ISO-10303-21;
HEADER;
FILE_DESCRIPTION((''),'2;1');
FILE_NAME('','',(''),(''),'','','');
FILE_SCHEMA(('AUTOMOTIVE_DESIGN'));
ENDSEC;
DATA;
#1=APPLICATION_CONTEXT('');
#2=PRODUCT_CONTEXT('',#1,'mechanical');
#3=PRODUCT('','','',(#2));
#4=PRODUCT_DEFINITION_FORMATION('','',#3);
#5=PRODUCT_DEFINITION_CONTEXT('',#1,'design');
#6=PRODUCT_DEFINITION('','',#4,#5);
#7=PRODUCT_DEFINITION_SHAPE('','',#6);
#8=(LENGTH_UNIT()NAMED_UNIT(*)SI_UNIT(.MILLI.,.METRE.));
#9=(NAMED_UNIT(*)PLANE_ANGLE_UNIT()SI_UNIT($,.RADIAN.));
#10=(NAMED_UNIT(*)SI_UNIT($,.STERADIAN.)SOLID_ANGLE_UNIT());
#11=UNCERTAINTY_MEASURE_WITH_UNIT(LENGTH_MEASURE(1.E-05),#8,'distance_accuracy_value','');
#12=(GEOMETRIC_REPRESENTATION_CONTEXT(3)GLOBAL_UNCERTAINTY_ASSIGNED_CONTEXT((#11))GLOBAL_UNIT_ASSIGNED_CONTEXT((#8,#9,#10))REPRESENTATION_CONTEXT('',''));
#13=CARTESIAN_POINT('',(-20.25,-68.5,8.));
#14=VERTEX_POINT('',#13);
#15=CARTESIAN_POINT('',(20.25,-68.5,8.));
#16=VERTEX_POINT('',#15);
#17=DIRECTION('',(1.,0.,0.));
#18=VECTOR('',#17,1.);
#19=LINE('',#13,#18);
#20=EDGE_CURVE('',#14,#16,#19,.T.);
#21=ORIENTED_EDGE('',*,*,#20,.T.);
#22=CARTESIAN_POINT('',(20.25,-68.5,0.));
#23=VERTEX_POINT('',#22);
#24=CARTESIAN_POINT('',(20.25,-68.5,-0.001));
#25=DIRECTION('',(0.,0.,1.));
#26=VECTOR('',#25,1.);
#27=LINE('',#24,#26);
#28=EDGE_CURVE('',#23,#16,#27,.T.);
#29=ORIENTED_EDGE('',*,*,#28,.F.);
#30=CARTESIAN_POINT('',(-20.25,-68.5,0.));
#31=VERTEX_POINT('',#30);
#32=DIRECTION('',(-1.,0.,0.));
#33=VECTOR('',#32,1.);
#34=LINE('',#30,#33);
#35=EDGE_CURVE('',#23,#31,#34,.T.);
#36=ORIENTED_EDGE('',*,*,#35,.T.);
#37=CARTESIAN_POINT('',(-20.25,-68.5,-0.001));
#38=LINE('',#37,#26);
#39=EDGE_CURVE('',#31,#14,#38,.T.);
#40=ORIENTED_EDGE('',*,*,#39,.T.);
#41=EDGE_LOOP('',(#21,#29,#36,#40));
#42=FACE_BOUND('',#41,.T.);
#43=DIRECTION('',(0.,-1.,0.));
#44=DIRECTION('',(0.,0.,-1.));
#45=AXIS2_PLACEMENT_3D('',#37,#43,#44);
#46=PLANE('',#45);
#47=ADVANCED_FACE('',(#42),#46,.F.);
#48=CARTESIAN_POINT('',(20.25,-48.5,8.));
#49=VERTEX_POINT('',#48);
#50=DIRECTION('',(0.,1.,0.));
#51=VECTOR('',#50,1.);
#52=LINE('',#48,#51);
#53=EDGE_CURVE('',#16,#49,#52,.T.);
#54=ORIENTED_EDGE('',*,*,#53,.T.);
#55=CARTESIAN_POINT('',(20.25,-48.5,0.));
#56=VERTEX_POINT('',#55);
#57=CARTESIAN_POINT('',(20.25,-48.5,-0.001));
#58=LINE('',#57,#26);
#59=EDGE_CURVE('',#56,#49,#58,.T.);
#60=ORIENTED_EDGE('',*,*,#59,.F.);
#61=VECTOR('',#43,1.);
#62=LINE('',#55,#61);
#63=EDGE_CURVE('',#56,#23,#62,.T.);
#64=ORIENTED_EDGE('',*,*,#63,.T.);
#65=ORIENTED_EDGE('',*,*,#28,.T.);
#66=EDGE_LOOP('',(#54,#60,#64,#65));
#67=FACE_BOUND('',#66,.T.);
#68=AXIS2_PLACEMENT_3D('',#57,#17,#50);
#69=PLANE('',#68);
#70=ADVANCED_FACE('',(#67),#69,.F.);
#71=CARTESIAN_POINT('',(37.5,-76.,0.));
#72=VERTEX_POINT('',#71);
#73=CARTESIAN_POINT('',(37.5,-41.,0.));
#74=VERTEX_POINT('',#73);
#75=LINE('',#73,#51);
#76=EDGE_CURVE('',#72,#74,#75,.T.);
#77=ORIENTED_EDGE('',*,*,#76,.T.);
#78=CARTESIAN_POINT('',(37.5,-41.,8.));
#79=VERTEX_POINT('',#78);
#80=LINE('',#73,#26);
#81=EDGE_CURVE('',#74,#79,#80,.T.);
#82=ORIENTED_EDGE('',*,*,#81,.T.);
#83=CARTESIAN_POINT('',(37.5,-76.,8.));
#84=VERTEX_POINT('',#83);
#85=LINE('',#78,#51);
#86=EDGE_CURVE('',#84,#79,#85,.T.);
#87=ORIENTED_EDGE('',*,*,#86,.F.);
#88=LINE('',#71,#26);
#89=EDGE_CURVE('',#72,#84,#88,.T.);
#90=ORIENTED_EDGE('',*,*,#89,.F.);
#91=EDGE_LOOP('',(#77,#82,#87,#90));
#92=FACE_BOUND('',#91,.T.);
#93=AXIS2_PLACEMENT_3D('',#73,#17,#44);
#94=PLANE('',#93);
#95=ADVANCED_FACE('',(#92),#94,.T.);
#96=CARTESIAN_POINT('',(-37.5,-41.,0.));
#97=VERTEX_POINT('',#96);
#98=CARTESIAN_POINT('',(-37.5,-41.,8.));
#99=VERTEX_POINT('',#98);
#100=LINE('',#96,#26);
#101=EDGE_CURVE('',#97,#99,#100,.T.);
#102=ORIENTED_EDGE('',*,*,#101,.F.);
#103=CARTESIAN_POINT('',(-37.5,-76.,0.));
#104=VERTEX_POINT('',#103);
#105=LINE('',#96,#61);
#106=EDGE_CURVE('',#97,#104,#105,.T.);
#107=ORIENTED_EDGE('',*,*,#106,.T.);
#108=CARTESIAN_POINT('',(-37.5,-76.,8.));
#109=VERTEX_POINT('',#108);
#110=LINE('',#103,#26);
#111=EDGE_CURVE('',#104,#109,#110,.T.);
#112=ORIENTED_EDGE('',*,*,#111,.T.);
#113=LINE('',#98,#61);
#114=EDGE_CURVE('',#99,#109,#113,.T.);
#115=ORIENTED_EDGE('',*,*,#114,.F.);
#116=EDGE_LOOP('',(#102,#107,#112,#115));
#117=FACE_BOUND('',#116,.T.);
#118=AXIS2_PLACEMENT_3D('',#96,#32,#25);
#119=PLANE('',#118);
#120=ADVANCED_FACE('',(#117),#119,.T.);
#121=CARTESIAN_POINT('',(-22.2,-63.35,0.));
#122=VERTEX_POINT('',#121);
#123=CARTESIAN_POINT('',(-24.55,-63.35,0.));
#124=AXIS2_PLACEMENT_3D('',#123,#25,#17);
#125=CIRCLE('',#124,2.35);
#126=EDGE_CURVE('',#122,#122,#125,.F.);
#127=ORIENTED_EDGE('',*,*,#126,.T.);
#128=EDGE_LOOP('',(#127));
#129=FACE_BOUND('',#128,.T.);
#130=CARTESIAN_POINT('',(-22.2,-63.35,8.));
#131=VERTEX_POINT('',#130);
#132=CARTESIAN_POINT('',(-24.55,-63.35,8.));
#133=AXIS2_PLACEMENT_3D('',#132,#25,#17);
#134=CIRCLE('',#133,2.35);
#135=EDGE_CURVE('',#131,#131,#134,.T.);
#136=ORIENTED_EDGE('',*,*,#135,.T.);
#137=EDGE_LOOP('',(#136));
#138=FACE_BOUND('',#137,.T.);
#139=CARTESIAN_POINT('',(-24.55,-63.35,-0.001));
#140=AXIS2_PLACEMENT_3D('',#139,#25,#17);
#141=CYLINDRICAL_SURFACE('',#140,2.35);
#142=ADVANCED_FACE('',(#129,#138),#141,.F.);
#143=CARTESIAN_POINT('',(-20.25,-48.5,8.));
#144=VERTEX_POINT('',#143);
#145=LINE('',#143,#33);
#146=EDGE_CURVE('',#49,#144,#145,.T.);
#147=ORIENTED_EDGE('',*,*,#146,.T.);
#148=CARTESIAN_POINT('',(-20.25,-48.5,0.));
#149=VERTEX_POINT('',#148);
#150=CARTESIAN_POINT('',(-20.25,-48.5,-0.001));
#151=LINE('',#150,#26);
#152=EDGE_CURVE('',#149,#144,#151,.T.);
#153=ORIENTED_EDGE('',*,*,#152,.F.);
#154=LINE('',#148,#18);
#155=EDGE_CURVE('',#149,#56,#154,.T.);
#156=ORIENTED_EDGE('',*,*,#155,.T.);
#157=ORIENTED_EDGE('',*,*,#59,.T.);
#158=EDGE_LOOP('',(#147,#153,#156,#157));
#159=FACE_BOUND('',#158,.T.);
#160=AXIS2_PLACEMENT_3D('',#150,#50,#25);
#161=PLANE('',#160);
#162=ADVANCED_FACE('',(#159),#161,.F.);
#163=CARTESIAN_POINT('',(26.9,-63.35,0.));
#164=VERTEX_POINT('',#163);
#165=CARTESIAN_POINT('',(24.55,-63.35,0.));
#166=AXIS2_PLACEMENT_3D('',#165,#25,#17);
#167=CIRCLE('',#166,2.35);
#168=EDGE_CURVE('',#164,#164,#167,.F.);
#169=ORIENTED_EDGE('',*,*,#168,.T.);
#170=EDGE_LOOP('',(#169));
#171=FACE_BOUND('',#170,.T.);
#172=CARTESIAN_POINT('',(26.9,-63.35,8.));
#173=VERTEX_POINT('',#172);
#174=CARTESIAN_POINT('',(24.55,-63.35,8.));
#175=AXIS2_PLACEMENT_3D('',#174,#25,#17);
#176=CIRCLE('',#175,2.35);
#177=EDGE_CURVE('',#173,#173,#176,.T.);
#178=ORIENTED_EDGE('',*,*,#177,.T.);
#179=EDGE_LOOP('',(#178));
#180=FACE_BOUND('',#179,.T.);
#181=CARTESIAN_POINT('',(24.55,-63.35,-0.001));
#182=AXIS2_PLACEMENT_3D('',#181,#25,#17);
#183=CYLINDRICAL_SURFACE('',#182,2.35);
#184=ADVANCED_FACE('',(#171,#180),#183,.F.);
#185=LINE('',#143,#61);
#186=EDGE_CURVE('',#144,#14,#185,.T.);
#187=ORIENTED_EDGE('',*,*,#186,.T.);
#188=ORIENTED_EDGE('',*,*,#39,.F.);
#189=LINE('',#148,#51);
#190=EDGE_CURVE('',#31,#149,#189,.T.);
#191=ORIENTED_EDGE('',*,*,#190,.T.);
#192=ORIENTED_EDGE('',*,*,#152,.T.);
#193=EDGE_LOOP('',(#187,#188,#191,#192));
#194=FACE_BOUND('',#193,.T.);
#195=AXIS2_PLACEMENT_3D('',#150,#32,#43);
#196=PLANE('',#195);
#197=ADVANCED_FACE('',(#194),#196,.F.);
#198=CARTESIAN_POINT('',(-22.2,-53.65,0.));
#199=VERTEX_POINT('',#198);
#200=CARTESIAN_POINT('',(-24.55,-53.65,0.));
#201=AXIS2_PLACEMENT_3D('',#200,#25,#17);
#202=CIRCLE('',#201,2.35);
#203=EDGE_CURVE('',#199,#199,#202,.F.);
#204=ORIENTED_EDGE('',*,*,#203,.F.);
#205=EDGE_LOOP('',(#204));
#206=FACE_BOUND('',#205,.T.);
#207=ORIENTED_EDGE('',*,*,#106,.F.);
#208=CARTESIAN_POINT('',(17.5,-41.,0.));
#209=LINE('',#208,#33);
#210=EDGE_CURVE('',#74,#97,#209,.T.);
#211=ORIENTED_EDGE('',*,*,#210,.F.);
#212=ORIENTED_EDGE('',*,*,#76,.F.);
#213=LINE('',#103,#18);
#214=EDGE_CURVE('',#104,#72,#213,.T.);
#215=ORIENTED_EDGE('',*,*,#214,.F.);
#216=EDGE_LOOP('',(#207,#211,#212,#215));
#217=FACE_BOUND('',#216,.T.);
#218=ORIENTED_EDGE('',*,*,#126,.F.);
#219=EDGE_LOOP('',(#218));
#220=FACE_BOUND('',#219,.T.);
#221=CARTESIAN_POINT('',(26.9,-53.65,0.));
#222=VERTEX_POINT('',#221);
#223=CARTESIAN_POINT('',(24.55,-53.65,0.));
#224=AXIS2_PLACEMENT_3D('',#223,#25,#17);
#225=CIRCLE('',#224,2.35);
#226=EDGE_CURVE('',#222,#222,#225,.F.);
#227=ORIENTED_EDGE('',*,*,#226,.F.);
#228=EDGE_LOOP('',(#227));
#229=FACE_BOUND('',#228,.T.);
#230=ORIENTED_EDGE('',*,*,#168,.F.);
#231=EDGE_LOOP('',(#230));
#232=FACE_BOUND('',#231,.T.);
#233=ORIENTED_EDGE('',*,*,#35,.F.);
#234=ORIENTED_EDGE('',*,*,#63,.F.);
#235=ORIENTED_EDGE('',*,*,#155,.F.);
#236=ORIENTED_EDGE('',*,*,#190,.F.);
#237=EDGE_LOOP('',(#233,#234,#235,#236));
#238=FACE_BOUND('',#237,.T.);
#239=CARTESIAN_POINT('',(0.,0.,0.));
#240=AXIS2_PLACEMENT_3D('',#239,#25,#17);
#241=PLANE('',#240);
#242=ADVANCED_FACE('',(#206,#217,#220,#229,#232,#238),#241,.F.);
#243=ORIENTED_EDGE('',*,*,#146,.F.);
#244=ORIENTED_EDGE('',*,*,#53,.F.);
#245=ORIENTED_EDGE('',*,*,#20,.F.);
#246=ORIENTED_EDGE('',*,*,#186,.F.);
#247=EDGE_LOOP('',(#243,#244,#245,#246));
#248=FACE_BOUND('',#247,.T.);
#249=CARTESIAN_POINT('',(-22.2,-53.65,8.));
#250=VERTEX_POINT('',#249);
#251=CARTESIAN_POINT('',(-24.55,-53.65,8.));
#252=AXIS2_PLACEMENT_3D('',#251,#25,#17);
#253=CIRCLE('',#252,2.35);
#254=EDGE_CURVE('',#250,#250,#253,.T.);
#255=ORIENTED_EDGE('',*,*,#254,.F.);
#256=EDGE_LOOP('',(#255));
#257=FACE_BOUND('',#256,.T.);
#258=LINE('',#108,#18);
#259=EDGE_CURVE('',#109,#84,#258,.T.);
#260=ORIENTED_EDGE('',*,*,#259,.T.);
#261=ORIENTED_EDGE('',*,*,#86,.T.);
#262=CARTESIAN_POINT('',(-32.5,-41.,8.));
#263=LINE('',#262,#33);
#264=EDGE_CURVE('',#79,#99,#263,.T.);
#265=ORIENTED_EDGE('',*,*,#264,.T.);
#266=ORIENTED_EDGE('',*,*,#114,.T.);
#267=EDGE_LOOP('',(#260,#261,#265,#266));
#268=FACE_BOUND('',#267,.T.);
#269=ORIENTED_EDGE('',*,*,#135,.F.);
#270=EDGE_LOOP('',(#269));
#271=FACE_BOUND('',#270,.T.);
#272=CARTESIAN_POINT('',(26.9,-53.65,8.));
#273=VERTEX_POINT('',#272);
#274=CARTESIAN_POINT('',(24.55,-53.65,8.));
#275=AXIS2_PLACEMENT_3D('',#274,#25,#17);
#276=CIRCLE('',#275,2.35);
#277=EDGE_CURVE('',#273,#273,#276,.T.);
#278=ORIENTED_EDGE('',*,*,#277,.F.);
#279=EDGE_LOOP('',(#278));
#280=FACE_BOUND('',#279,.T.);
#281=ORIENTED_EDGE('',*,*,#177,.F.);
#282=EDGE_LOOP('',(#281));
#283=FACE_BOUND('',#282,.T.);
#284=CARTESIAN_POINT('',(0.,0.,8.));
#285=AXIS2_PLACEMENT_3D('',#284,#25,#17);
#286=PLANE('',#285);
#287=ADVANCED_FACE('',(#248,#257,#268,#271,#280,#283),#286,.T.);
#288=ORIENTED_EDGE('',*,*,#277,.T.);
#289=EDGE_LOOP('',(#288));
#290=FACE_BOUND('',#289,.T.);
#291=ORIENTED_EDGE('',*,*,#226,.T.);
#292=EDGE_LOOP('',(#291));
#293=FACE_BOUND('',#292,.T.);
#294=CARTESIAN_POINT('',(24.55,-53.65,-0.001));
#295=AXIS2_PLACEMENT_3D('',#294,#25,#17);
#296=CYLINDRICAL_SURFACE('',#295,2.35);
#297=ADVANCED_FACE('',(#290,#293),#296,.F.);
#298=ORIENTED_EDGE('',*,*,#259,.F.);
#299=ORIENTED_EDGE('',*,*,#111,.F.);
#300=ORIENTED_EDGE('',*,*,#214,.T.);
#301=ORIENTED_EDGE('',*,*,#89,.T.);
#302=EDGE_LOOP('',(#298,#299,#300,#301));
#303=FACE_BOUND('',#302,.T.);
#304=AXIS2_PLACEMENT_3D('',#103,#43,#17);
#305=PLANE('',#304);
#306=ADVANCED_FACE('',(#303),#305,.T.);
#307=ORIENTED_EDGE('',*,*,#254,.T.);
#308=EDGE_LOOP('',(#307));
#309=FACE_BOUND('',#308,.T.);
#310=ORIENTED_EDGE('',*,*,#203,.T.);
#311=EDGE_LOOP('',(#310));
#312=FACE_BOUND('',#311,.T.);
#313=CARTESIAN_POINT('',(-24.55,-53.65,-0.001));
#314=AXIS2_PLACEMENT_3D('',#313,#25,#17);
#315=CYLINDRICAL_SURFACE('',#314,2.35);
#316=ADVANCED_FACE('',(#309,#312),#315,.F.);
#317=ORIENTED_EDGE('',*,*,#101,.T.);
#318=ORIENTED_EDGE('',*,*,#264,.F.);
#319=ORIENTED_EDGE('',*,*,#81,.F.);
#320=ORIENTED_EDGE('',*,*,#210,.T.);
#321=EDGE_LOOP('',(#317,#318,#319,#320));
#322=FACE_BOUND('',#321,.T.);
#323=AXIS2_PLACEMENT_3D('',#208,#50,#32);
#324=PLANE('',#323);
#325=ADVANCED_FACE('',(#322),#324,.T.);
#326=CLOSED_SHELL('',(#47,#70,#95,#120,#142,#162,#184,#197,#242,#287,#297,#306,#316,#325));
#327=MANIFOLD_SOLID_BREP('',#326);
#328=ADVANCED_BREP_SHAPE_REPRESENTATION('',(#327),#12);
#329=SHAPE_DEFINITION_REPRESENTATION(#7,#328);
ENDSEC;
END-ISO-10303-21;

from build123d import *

# Parameters (mm, degrees)
SKETCH2_W           = 104
SKETCH2_H           = 66
BOSS_EXTRUDE1_DEPTH = 8
BOSS_EXTRUDE2_DEPTH = 8
SKETCH4_W           = 104
SKETCH4_H           = 10
CUT_EXTRUDE1_DEPTH  = 8
BOSS_EXTRUDE4_DEPTH = 8
CUT_EXTRUDE2_DEPTH  = 8
SKETCH9_R           = 2.5
CUT_EXTRUDE3_DEPTH  = 9
CUT_EXTRUDE4_REACH  = 10
SKETCH10_R          = 2.35
SKETCH10_W          = 40.5
SKETCH10_H          = 20
CUT_EXTRUDE5_REACH  = 10
SKETCH11_W          = 128
SKETCH11_H          = 82


with BuildPart() as part:
    # Sketch2 → Boss-Extrude1 (new body)
    with BuildSketch(Plane.XY):
        Rectangle(SKETCH2_W, SKETCH2_H)
    extrude(amount=BOSS_EXTRUDE1_DEPTH)

    # Sketch3 → Boss-Extrude2 (add, through all)
    with BuildSketch(Plane.XY.offset(8)):
        Polygon((-52, -17), (-60, -17), (-60, -22), (-64, -22), (-64, -2), (-60, -2), (-60, -7), (-52, -7), align=None)
        Polygon((-52, 13), (-60, 13), (-60, 8), (-64, 8), (-64, 28), (-60, 28), (-60, 23), (-52, 23), align=None)
        Polygon((52, -7), (52, -17), (60, -17), (60, -22), (64, -22), (64, -2), (60, -2), (60, -7), align=None)
        Polygon((-32.5, -33), (-32.5, -41), (-37.5, -41), (-37.5, -76), (37.5, -76), (37.5, -41), (32.5, -41), (32.5, -33), (17.5, -33), (17.5, -41), (-17.5, -41), (-17.5, -33), align=None)
    extrude(amount=-BOSS_EXTRUDE2_DEPTH)

    # Sketch4 → Cut-Extrude1 (cut)
    with BuildSketch(Plane.XY.offset(8)):
        with Locations((0, 28)):
            Rectangle(SKETCH4_W, SKETCH4_H)
    extrude(amount=-CUT_EXTRUDE1_DEPTH, mode=Mode.SUBTRACT)

    # Sketch6 → Boss-Extrude4 (add)
    with BuildSketch(Plane.XY.offset(8)):
        with BuildLine():
            Line((52, 17), (52, 0))
            Line((52, 0), (0, 0))
            Line((0, 0), (0, 23))
            Line((0, 23), (42, 23))
            ThreePointArc((42, 23), (57.458350242, 37.430583736), (52, 17))
        make_face()
    extrude(amount=-BOSS_EXTRUDE4_DEPTH)

    # Sketch8 → Cut-Extrude2 (cut)
    with BuildSketch(Plane.XY.offset(8)):
        with BuildLine():
            Line((47.287664075, 17.965775092), (41.287664075, 7.573470247))
            ThreePointArc((41.287664075, 7.573470247), (46.489081435, 5.649562257), (52, 5.028320703))
            Line((52, 5.028320703), (52, 17))
            ThreePointArc((52, 17), (49.590394027, 17.222145828), (47.287664075, 17.965775092))
        make_face()
    extrude(amount=-CUT_EXTRUDE2_DEPTH, mode=Mode.SUBTRACT)

    # Sketch9 → Cut-Extrude3 (cut, through all)
    with BuildSketch(Plane.XY.offset(8)):
        with Locations((51.798896932, 27.998161553)):
            Circle(SKETCH9_R)
    extrude(amount=-CUT_EXTRUDE3_DEPTH, mode=Mode.SUBTRACT)

    # Sketch10 → Cut-Extrude4 (cut, up to next)
    with BuildSketch(Plane.XY.offset(8), mode=Mode.PRIVATE) as cut_extrude4_sk1:
        with Locations((-24.55, -53.65)):
            Circle(SKETCH10_R)
    cut_extrude4_tool1 = extrude(cut_extrude4_sk1.sketch, amount=-CUT_EXTRUDE4_REACH, mode=Mode.PRIVATE) & part.part
    add(cut_extrude4_tool1.solids().sort_by_distance((-24.55, -53.65, 8))[0], mode=Mode.SUBTRACT)
    # Sketch10 → Cut-Extrude4 (cut, up to next)
    with BuildSketch(Plane.XY.offset(8), mode=Mode.PRIVATE) as cut_extrude4_sk2:
        with Locations((-24.55, -63.35)):
            Circle(SKETCH10_R)
    cut_extrude4_tool2 = extrude(cut_extrude4_sk2.sketch, amount=-CUT_EXTRUDE4_REACH, mode=Mode.PRIVATE) & part.part
    add(cut_extrude4_tool2.solids().sort_by_distance((-24.55, -63.35, 8))[0], mode=Mode.SUBTRACT)
    # Sketch10 → Cut-Extrude4 (cut, up to next)
    with BuildSketch(Plane.XY.offset(8), mode=Mode.PRIVATE) as cut_extrude4_sk3:
        with Locations((24.55, -63.35)):
            Circle(SKETCH10_R)
    cut_extrude4_tool3 = extrude(cut_extrude4_sk3.sketch, amount=-CUT_EXTRUDE4_REACH, mode=Mode.PRIVATE) & part.part
    add(cut_extrude4_tool3.solids().sort_by_distance((24.55, -63.35, 8))[0], mode=Mode.SUBTRACT)
    # Sketch10 → Cut-Extrude4 (cut, up to next)
    with BuildSketch(Plane.XY.offset(8), mode=Mode.PRIVATE) as cut_extrude4_sk4:
        with Locations((24.55, -53.65)):
            Circle(SKETCH10_R)
    cut_extrude4_tool4 = extrude(cut_extrude4_sk4.sketch, amount=-CUT_EXTRUDE4_REACH, mode=Mode.PRIVATE) & part.part
    add(cut_extrude4_tool4.solids().sort_by_distance((24.55, -53.65, 8))[0], mode=Mode.SUBTRACT)
    # Sketch10 → Cut-Extrude4 (cut, up to next)
    with BuildSketch(Plane.XY.offset(8), mode=Mode.PRIVATE) as cut_extrude4_sk5:
        with Locations((0, -58.5)):
            Rectangle(SKETCH10_W, SKETCH10_H)
    cut_extrude4_tool5 = extrude(cut_extrude4_sk5.sketch, amount=-CUT_EXTRUDE4_REACH, mode=Mode.PRIVATE) & part.part
    add(cut_extrude4_tool5.solids().sort_by_distance((0, -58.5, 8))[0], mode=Mode.SUBTRACT)

    # Sketch11 → Cut-Extrude5 (cut, up to next)
    with BuildSketch(Plane.XY.offset(8), mode=Mode.PRIVATE) as cut_extrude5_sk1:
        Rectangle(SKETCH11_W, SKETCH11_H)
    cut_extrude5_tool1 = extrude(cut_extrude5_sk1.sketch, amount=-CUT_EXTRUDE5_REACH, mode=Mode.PRIVATE) & part.part
    add(cut_extrude5_tool1.solids().sort_by_distance((0, 0, 8))[0], mode=Mode.SUBTRACT)


solid = part.part
